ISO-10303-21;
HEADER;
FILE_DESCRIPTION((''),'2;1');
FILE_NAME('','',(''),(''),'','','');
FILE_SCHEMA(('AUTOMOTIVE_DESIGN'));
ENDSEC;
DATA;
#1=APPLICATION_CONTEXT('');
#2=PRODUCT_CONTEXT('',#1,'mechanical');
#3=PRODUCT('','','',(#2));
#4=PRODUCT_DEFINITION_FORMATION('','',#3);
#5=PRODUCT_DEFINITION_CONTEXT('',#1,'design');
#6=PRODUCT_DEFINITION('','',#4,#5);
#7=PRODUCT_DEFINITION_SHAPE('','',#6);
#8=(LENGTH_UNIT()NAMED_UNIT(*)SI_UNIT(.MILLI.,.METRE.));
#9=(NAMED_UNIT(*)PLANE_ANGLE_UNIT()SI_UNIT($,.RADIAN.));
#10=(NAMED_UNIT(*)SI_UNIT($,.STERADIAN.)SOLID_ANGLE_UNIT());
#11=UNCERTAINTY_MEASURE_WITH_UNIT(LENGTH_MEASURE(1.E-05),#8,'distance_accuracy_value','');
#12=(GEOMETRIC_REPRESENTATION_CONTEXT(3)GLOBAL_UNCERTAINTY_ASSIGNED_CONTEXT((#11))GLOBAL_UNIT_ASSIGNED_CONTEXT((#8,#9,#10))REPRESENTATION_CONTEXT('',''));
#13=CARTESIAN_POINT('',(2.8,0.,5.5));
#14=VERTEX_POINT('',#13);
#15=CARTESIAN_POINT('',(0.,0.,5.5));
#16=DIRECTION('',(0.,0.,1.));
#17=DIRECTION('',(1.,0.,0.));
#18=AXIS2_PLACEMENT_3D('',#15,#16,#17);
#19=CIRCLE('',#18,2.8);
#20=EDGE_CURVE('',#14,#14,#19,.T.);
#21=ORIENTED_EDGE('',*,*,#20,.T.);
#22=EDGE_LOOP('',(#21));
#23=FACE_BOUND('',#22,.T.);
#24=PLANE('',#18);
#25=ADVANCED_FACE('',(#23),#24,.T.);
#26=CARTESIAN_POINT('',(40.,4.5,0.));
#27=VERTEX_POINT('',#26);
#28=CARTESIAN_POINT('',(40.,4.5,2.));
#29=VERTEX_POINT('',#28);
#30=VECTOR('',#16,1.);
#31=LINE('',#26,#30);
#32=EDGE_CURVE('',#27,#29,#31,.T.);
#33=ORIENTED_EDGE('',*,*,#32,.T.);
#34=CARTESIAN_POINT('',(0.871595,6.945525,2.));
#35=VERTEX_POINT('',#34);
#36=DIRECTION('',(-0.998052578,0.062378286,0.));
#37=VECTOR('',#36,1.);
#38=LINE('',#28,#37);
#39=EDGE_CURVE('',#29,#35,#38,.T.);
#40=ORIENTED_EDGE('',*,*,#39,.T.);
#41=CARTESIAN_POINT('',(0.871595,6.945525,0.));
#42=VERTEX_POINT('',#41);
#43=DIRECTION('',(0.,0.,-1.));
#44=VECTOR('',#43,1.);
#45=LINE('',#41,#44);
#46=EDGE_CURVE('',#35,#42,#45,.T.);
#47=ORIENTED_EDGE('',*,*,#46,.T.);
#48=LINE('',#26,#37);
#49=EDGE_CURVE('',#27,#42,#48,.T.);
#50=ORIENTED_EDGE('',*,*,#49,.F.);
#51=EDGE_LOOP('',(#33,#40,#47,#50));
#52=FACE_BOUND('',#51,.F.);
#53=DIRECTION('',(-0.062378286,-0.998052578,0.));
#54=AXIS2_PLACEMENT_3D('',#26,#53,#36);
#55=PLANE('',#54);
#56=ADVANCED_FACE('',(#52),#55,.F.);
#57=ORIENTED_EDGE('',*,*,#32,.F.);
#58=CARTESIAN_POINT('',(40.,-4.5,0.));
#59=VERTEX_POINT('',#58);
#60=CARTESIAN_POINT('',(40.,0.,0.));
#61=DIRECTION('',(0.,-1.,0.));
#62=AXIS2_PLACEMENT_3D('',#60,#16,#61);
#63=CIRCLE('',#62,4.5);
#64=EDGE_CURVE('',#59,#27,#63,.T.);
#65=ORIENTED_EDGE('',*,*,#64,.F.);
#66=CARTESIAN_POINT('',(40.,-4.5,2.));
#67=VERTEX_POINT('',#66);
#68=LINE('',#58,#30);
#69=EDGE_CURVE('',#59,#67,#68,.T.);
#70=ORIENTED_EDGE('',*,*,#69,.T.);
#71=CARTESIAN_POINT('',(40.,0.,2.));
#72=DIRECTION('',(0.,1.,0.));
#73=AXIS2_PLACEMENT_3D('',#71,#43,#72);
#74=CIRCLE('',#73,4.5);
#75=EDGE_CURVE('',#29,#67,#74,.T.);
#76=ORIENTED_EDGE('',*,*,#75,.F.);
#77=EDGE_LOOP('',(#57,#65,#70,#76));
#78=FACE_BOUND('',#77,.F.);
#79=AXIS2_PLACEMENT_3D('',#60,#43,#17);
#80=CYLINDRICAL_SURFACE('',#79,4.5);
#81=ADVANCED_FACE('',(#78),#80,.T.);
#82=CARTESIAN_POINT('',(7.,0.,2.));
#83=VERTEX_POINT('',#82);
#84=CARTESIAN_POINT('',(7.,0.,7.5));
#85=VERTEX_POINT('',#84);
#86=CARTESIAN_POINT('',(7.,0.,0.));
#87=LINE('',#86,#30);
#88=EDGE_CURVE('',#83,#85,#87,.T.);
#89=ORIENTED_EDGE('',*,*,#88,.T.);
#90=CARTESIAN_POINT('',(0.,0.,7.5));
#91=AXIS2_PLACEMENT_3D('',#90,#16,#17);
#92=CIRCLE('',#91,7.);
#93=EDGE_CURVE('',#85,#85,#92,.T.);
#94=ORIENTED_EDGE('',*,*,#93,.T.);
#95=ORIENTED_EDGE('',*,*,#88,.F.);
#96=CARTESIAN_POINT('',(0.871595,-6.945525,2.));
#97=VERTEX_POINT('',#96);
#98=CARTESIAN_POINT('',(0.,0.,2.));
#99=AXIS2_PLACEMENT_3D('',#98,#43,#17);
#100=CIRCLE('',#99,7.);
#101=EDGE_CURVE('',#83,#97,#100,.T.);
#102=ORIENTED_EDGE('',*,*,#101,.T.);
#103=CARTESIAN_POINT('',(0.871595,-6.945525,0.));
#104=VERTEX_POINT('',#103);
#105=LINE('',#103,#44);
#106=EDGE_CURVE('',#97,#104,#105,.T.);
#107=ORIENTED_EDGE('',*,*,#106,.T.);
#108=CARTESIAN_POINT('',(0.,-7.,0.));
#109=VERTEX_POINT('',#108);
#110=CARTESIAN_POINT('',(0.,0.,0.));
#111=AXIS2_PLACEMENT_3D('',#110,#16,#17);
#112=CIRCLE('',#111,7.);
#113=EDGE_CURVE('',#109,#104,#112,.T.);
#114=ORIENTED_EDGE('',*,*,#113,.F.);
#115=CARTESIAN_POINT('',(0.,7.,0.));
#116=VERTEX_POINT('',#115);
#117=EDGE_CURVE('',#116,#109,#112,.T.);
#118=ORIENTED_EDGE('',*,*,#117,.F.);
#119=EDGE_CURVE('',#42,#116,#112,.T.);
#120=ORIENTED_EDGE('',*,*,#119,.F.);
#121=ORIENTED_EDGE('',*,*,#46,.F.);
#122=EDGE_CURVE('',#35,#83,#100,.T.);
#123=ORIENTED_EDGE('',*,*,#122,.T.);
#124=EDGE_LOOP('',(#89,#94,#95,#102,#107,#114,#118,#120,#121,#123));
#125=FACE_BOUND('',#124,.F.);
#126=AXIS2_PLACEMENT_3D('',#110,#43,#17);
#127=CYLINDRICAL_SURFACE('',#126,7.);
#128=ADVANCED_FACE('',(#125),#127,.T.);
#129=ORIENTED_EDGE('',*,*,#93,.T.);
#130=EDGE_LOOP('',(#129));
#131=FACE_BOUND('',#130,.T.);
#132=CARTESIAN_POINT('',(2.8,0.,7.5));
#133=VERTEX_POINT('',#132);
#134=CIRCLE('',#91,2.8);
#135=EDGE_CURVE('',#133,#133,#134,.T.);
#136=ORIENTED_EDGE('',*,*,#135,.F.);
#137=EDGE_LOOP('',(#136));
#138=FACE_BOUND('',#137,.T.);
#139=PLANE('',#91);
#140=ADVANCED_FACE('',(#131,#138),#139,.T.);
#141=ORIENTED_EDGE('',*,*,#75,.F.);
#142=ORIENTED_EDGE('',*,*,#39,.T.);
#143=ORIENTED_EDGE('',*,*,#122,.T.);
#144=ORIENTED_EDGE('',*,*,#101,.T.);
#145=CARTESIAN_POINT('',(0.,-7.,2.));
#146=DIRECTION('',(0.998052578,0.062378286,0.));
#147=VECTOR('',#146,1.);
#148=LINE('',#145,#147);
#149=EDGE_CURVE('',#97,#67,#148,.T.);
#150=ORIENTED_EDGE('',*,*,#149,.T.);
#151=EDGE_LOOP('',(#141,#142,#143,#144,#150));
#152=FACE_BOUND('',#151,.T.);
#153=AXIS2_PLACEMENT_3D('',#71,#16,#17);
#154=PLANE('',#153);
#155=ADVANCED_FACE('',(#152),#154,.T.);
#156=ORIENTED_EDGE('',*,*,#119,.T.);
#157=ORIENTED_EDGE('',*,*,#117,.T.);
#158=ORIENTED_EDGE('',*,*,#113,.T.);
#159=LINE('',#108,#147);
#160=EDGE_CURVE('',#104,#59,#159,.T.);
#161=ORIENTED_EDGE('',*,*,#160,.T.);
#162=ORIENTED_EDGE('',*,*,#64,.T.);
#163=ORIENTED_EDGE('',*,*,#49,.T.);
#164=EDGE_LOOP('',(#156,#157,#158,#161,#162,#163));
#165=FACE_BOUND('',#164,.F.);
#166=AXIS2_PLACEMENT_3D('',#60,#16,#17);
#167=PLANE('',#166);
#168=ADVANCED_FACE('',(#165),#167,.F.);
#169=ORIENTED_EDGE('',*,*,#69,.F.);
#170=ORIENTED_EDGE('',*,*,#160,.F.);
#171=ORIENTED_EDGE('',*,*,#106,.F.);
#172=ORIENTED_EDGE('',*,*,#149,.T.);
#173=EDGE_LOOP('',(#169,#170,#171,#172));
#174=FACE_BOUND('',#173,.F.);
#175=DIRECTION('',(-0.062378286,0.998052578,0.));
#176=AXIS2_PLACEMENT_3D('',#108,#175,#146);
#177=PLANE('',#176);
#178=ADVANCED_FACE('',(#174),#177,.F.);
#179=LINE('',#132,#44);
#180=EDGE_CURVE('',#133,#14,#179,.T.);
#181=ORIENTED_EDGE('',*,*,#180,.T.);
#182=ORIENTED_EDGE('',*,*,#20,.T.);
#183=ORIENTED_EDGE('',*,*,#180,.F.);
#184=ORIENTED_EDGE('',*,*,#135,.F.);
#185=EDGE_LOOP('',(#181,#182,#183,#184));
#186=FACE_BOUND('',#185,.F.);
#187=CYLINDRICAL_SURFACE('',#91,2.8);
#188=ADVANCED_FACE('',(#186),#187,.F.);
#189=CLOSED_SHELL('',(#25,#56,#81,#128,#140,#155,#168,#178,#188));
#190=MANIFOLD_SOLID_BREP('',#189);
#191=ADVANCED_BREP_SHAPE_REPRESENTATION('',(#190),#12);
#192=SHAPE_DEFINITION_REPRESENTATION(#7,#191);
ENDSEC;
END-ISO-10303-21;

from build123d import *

# Parameters (mm, degrees)
SKETCH002_R      = 4.5
EXTRUDE002_DEPTH = 2
SKETCH_R         = 7
EXTRUDE001_DEPTH = 7.5
EXTRUDE_DEPTH    = 2
SKETCH003_R      = 2.8
POCKET_DEPTH     = 2


with BuildPart() as extrudehead:
    # Sketch002 → Extrude002 (new body)
    with BuildSketch(Plane.XY):
        with Locations((40, 0)):
            Circle(SKETCH002_R)
    extrude(amount=EXTRUDE002_DEPTH)


with BuildPart() as extrudemount:
    # Sketch → Extrude001 (new body)
    with BuildSketch(Plane.XY):
        Circle(SKETCH_R)
    extrude(amount=EXTRUDE001_DEPTH)


with BuildPart() as body:
    # Sketch001 (on Sketch) → Extrude (new body)
    with BuildSketch(Plane.XY):
        Polygon((40, 4.5), (0, 7), (0, -7), (40, -4.5), align=None)
    extrude(amount=EXTRUDE_DEPTH)

    # Fusion: union ExtrudeMount
    add(extrudemount.part)

    # Fusion001: union ExtrudeHead
    add(extrudehead.part)

    # Sketch003 (on Face16 of Fusion001) → Pocket (cut)
    with BuildSketch(Plane.XY.offset(7.5)):
        Circle(SKETCH003_R)
    extrude(amount=-POCKET_DEPTH, mode=Mode.SUBTRACT)


solid = body.part
